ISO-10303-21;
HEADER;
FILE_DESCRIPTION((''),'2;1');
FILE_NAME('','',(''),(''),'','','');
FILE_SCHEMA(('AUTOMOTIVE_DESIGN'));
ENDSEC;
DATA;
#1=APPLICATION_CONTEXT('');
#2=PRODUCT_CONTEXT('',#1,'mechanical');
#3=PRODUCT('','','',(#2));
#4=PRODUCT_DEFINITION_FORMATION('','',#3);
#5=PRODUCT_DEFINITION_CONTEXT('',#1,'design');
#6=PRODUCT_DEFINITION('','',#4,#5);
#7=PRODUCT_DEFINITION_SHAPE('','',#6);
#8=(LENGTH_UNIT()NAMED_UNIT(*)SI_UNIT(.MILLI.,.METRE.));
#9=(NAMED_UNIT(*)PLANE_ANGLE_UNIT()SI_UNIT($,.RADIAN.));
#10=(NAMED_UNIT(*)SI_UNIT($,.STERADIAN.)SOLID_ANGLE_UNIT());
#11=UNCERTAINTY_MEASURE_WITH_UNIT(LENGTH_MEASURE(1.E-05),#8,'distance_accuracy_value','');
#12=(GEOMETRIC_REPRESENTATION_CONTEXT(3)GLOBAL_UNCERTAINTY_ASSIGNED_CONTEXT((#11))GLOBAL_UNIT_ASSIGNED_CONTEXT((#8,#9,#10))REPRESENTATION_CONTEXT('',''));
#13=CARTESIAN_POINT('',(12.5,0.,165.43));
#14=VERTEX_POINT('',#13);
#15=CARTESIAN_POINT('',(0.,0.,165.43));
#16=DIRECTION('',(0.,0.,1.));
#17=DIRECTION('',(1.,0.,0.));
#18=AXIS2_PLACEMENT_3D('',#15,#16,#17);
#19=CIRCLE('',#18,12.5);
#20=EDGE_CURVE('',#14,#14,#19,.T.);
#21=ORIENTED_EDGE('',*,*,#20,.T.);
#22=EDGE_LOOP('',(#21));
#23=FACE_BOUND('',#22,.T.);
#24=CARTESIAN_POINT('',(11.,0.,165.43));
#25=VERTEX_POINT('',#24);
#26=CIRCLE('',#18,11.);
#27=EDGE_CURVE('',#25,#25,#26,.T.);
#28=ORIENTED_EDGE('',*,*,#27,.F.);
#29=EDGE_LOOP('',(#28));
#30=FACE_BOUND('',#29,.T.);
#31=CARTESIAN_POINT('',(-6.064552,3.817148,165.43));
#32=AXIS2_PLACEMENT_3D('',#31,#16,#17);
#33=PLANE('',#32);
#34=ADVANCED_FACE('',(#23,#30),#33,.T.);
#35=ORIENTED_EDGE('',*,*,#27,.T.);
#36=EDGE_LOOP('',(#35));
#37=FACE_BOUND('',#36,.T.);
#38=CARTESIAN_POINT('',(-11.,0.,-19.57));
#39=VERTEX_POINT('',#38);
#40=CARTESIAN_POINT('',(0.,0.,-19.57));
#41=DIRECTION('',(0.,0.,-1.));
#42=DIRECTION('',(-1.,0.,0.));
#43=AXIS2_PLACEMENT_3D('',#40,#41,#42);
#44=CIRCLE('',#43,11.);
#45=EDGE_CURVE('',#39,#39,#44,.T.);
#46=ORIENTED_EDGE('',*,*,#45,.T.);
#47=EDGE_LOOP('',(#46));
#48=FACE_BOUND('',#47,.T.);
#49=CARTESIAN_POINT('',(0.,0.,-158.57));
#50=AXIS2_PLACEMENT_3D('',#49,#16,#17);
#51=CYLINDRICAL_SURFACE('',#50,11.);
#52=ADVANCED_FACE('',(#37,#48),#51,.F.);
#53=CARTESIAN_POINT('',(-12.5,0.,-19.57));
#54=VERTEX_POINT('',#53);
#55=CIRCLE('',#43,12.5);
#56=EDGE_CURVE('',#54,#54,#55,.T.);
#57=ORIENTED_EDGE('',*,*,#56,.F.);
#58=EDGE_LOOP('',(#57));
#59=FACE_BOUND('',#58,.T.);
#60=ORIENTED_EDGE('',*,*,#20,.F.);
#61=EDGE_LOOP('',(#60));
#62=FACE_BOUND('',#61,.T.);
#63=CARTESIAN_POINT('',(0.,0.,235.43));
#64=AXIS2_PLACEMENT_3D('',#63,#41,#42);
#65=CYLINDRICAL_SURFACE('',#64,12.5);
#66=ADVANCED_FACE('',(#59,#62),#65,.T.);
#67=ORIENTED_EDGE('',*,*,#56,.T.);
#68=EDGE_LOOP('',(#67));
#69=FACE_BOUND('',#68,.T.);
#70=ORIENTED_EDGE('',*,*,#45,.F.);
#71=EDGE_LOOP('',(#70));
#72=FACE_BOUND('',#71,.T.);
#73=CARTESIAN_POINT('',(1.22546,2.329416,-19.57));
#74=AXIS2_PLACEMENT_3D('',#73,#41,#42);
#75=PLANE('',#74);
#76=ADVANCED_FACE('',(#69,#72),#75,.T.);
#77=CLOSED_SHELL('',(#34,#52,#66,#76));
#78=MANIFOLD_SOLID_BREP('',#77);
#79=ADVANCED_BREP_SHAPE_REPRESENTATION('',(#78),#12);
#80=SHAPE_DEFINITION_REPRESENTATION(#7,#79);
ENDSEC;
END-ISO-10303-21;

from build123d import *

# Parameters (mm, degrees)
SKETCH_1_R           = 12.5
EXTRUDE_2_DEPTH      = 235.43
SKETCH_2_R           = 9
CUT_EXTRUDE_1_DEPTH  = 235.43
EXTRUDE_START        = 15.57
SKETCH_3_R           = 12.5
EXTRUDE_3_DEPTH      = 15.57
SKETCH_4_R           = 9
CUT_EXTRUDE_2_DEPTH  = 20
EXTRUDE_START_2      = 9.93
SKETCH_5_R           = 12.5
EXTRUDE_4_DEPTH      = 9.93
SKETCH_6_R           = 9
CUT_EXTRUDE_3_DEPTH  = 10
SKETCH_7_R           = 26.85848727
CUT_EXTRUDE_4_DEPTH  = 14.93
SKETCH_8_R           = 12.5
EXTRUDE_5_DEPTH      = 9.93
SKETCH_9_R           = 9
CUT_EXTRUDE_5_DEPTH  = 10
SKETCH_10_R          = 37.193394561
CUT_EXTRUDE_6_DEPTH  = 0.22
SKETCH_11_R          = 43.187188263
CUT_EXTRUDE_7_DEPTH  = 0.71
SKETCH_12_R          = 12.5
EXTRUDE_6_DEPTH      = 15
CUT_EXTRUDE_START    = -15
SKETCH_13_R          = 9
CUT_EXTRUDE_8_DEPTH  = 15
SKETCH_14_R          = 46.427055536
CUT_EXTRUDE_9_DEPTH  = 85
SKETCH_15_R          = 11
CUT_EXTRUDE_10_DEPTH = 324


with BuildPart() as part:
    # 草图1 → 凸台-拉伸2 (new body)
    with BuildSketch(Plane.XY):
        Circle(SKETCH_1_R)
    extrude(amount=EXTRUDE_2_DEPTH)

    # 草图2 → 切除-拉伸1 (cut)
    with BuildSketch(Plane(origin=(0, 0, 0), x_dir=(-1, 0, 0), z_dir=(0, 0, -1))):
        Circle(SKETCH_2_R)
    extrude(amount=-CUT_EXTRUDE_1_DEPTH, mode=Mode.SUBTRACT)

    # 草图3 → 凸台-拉伸3 (add)
    with BuildSketch(Plane(origin=(0, 0, 0), x_dir=(-1, 0, 0), z_dir=(0, 0, -1)).offset(EXTRUDE_START)):
        Circle(SKETCH_3_R)
    extrude(amount=-EXTRUDE_3_DEPTH)

    # 草图4 → 切除-拉伸2 (cut)
    with BuildSketch(Plane(origin=(0, 0, -15.57), x_dir=(-1, 0, 0), z_dir=(0, 0, -1))):
        Circle(SKETCH_4_R)
    extrude(amount=-CUT_EXTRUDE_2_DEPTH, mode=Mode.SUBTRACT)

    # 草图5 → 凸台-拉伸4 (add)
    with BuildSketch(Plane(origin=(0, 0, -15.57), x_dir=(-1, 0, 0), z_dir=(0, 0, -1)).offset(EXTRUDE_START_2)):
        Circle(SKETCH_5_R)
    extrude(amount=-EXTRUDE_4_DEPTH)

    # 草图6 → 切除-拉伸3 (cut)
    with BuildSketch(Plane(origin=(0, 0, -25.5), x_dir=(-1, 0, 0), z_dir=(0, 0, -1))):
        Circle(SKETCH_6_R)
    extrude(amount=-CUT_EXTRUDE_3_DEPTH, mode=Mode.SUBTRACT)

    # 草图7 → 切除-拉伸4 (cut)
    with BuildSketch(Plane(origin=(0, 0, -25.5), x_dir=(-1, 0, 0), z_dir=(0, 0, -1))):
        Circle(SKETCH_7_R)
    extrude(amount=-CUT_EXTRUDE_4_DEPTH, mode=Mode.SUBTRACT)

    # 草图8 → 凸台-拉伸5 (add)
    with BuildSketch(Plane(origin=(0, 0, -10.57), x_dir=(-1, 0, 0), z_dir=(0, 0, -1)).offset(EXTRUDE_START_2)):
        Circle(SKETCH_8_R)
    extrude(amount=-EXTRUDE_5_DEPTH)

    # 草图9 → 切除-拉伸5 (cut)
    with BuildSketch(Plane(origin=(0, 0, -20.5), x_dir=(-1, 0, 0), z_dir=(0, 0, -1))):
        Circle(SKETCH_9_R)
    extrude(amount=-CUT_EXTRUDE_5_DEPTH, mode=Mode.SUBTRACT)

    # 草图10 → 切除-拉伸6 (cut)
    with BuildSketch(Plane(origin=(0, 0, -20.5), x_dir=(-1, 0, 0), z_dir=(0, 0, -1))):
        with Locations((7.201744855, 7.507888779)):
            Circle(SKETCH_10_R)
    extrude(amount=-CUT_EXTRUDE_6_DEPTH, mode=Mode.SUBTRACT)

    # 草图11 → 切除-拉伸7 (cut)
    with BuildSketch(Plane(origin=(0, 0, -20.28), x_dir=(-1, 0, 0), z_dir=(0, 0, -1))):
        with Locations((-1.225460352, 2.329416421)):
            Circle(SKETCH_11_R)
    extrude(amount=-CUT_EXTRUDE_7_DEPTH, mode=Mode.SUBTRACT)

    # 草图12 → 凸台-拉伸6 (add)
    with BuildSketch(Plane.XY.offset(235.43)):
        with Locations(Location((0, 0, 0), (0, 0, 180))):
            Circle(SKETCH_12_R)
    extrude(amount=EXTRUDE_6_DEPTH)

    # 草图13 → 切除-拉伸8 (cut)
    with BuildSketch(Plane.XY.offset(250.43).offset(CUT_EXTRUDE_START)):
        with Locations(Location((0, 0, 0), (0, 0, 180))):
            Circle(SKETCH_13_R)
    extrude(amount=CUT_EXTRUDE_8_DEPTH, mode=Mode.SUBTRACT)

    # 草图14 → 切除-拉伸9 (cut)
    with BuildSketch(Plane.XY.offset(250.43)):
        with Locations((-6.064552421, 3.817147789)):
            Circle(SKETCH_14_R)
    extrude(amount=-CUT_EXTRUDE_9_DEPTH, mode=Mode.SUBTRACT)

    # 草图15 → 切除-拉伸10 (cut)
    with BuildSketch(Plane.XY.offset(165.43)):
        Circle(SKETCH_15_R)
    extrude(amount=-CUT_EXTRUDE_10_DEPTH, mode=Mode.SUBTRACT)


solid = part.part
